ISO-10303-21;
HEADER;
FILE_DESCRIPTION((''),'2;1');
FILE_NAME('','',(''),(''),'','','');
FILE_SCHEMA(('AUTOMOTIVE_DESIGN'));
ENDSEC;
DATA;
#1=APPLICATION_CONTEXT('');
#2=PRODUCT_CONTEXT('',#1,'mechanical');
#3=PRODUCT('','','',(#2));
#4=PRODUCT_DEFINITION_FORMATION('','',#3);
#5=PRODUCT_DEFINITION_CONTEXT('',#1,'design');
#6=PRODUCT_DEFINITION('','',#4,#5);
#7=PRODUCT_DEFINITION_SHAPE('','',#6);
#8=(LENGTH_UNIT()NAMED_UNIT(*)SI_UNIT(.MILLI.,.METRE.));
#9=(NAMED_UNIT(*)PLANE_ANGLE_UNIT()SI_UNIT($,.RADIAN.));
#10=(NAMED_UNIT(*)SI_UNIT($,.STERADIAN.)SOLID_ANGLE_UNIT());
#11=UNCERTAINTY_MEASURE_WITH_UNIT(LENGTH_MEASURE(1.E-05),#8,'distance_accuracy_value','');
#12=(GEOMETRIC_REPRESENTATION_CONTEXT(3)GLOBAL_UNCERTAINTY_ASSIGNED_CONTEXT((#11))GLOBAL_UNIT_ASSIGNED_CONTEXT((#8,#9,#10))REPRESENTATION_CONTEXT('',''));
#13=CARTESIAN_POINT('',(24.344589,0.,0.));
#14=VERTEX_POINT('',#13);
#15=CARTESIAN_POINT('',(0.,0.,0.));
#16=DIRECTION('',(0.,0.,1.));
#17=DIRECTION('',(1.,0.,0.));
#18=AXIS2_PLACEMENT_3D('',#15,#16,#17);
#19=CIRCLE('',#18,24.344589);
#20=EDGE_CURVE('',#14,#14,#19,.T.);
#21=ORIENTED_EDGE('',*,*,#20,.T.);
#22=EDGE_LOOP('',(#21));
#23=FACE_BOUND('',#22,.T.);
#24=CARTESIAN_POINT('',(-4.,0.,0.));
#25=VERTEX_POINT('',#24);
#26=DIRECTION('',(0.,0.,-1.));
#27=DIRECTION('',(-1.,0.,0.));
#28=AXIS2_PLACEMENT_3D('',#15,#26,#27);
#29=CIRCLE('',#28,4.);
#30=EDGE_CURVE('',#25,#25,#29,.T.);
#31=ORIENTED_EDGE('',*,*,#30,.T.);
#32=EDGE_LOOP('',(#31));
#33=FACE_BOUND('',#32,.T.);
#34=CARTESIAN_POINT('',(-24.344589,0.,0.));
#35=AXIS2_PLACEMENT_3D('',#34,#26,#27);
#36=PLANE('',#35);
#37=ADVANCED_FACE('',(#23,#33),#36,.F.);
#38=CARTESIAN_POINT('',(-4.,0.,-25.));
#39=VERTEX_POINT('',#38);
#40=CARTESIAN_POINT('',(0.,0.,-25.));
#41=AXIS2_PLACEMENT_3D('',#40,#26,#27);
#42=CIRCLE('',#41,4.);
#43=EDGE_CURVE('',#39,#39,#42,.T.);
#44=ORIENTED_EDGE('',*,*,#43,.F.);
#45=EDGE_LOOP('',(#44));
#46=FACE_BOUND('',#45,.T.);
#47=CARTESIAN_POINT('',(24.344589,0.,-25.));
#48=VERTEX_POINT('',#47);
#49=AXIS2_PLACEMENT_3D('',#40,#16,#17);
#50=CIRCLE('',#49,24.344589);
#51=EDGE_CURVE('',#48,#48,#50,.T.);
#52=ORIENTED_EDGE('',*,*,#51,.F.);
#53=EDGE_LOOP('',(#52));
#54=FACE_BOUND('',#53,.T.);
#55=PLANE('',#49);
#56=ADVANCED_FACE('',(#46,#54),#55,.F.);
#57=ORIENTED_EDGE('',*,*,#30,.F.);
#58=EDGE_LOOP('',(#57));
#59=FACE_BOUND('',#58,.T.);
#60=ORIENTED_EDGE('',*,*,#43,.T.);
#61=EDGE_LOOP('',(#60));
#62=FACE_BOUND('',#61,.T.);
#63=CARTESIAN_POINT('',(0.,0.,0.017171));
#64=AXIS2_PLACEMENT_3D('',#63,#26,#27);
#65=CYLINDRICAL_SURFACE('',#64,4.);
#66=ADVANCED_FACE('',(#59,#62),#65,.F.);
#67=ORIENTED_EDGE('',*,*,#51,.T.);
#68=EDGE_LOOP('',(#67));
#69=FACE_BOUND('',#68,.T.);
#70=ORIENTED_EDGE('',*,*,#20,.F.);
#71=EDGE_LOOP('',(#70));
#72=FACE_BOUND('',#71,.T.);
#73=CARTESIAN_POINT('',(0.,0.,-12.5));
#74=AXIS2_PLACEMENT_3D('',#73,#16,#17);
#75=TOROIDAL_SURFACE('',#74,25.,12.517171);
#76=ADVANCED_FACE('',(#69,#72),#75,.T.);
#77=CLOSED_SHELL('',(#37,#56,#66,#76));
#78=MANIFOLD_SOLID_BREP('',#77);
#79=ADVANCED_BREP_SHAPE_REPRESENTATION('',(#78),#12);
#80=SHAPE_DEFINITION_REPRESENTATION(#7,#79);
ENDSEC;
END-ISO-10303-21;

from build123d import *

# Parameters (mm, degrees)
SKETCH2_R          = 4
CUT_EXTRUDE1_DEPTH = 26.017170827


with BuildPart() as part:
    # Sketch1 → Revolve1 (revolve)
    with BuildSketch(Plane(origin=(0, 0, 0), x_dir=(1, 0, 0), z_dir=(0, 1, 0))):
        with BuildLine():
            Line((0, 0), (0, 25))
            Line((0, 25), (-24.344589438, 25))
            ThreePointArc((-24.344589438, 25), (-37.517170727, 12.5), (-24.344589438, 0))
            Line((-24.344589438, 0), (0, 0))
        make_face()
    revolve(axis=Axis((0, 0, 0), (0, 0, -1)))

    # Sketch2 → Cut-Extrude1 (cut, through all)
    with BuildSketch(Plane(origin=(0, 0, -25), x_dir=(-1, 0, 0), z_dir=(0, 0, -1))):
        Circle(SKETCH2_R)
    extrude(amount=-CUT_EXTRUDE1_DEPTH, mode=Mode.SUBTRACT)


solid = part.part
